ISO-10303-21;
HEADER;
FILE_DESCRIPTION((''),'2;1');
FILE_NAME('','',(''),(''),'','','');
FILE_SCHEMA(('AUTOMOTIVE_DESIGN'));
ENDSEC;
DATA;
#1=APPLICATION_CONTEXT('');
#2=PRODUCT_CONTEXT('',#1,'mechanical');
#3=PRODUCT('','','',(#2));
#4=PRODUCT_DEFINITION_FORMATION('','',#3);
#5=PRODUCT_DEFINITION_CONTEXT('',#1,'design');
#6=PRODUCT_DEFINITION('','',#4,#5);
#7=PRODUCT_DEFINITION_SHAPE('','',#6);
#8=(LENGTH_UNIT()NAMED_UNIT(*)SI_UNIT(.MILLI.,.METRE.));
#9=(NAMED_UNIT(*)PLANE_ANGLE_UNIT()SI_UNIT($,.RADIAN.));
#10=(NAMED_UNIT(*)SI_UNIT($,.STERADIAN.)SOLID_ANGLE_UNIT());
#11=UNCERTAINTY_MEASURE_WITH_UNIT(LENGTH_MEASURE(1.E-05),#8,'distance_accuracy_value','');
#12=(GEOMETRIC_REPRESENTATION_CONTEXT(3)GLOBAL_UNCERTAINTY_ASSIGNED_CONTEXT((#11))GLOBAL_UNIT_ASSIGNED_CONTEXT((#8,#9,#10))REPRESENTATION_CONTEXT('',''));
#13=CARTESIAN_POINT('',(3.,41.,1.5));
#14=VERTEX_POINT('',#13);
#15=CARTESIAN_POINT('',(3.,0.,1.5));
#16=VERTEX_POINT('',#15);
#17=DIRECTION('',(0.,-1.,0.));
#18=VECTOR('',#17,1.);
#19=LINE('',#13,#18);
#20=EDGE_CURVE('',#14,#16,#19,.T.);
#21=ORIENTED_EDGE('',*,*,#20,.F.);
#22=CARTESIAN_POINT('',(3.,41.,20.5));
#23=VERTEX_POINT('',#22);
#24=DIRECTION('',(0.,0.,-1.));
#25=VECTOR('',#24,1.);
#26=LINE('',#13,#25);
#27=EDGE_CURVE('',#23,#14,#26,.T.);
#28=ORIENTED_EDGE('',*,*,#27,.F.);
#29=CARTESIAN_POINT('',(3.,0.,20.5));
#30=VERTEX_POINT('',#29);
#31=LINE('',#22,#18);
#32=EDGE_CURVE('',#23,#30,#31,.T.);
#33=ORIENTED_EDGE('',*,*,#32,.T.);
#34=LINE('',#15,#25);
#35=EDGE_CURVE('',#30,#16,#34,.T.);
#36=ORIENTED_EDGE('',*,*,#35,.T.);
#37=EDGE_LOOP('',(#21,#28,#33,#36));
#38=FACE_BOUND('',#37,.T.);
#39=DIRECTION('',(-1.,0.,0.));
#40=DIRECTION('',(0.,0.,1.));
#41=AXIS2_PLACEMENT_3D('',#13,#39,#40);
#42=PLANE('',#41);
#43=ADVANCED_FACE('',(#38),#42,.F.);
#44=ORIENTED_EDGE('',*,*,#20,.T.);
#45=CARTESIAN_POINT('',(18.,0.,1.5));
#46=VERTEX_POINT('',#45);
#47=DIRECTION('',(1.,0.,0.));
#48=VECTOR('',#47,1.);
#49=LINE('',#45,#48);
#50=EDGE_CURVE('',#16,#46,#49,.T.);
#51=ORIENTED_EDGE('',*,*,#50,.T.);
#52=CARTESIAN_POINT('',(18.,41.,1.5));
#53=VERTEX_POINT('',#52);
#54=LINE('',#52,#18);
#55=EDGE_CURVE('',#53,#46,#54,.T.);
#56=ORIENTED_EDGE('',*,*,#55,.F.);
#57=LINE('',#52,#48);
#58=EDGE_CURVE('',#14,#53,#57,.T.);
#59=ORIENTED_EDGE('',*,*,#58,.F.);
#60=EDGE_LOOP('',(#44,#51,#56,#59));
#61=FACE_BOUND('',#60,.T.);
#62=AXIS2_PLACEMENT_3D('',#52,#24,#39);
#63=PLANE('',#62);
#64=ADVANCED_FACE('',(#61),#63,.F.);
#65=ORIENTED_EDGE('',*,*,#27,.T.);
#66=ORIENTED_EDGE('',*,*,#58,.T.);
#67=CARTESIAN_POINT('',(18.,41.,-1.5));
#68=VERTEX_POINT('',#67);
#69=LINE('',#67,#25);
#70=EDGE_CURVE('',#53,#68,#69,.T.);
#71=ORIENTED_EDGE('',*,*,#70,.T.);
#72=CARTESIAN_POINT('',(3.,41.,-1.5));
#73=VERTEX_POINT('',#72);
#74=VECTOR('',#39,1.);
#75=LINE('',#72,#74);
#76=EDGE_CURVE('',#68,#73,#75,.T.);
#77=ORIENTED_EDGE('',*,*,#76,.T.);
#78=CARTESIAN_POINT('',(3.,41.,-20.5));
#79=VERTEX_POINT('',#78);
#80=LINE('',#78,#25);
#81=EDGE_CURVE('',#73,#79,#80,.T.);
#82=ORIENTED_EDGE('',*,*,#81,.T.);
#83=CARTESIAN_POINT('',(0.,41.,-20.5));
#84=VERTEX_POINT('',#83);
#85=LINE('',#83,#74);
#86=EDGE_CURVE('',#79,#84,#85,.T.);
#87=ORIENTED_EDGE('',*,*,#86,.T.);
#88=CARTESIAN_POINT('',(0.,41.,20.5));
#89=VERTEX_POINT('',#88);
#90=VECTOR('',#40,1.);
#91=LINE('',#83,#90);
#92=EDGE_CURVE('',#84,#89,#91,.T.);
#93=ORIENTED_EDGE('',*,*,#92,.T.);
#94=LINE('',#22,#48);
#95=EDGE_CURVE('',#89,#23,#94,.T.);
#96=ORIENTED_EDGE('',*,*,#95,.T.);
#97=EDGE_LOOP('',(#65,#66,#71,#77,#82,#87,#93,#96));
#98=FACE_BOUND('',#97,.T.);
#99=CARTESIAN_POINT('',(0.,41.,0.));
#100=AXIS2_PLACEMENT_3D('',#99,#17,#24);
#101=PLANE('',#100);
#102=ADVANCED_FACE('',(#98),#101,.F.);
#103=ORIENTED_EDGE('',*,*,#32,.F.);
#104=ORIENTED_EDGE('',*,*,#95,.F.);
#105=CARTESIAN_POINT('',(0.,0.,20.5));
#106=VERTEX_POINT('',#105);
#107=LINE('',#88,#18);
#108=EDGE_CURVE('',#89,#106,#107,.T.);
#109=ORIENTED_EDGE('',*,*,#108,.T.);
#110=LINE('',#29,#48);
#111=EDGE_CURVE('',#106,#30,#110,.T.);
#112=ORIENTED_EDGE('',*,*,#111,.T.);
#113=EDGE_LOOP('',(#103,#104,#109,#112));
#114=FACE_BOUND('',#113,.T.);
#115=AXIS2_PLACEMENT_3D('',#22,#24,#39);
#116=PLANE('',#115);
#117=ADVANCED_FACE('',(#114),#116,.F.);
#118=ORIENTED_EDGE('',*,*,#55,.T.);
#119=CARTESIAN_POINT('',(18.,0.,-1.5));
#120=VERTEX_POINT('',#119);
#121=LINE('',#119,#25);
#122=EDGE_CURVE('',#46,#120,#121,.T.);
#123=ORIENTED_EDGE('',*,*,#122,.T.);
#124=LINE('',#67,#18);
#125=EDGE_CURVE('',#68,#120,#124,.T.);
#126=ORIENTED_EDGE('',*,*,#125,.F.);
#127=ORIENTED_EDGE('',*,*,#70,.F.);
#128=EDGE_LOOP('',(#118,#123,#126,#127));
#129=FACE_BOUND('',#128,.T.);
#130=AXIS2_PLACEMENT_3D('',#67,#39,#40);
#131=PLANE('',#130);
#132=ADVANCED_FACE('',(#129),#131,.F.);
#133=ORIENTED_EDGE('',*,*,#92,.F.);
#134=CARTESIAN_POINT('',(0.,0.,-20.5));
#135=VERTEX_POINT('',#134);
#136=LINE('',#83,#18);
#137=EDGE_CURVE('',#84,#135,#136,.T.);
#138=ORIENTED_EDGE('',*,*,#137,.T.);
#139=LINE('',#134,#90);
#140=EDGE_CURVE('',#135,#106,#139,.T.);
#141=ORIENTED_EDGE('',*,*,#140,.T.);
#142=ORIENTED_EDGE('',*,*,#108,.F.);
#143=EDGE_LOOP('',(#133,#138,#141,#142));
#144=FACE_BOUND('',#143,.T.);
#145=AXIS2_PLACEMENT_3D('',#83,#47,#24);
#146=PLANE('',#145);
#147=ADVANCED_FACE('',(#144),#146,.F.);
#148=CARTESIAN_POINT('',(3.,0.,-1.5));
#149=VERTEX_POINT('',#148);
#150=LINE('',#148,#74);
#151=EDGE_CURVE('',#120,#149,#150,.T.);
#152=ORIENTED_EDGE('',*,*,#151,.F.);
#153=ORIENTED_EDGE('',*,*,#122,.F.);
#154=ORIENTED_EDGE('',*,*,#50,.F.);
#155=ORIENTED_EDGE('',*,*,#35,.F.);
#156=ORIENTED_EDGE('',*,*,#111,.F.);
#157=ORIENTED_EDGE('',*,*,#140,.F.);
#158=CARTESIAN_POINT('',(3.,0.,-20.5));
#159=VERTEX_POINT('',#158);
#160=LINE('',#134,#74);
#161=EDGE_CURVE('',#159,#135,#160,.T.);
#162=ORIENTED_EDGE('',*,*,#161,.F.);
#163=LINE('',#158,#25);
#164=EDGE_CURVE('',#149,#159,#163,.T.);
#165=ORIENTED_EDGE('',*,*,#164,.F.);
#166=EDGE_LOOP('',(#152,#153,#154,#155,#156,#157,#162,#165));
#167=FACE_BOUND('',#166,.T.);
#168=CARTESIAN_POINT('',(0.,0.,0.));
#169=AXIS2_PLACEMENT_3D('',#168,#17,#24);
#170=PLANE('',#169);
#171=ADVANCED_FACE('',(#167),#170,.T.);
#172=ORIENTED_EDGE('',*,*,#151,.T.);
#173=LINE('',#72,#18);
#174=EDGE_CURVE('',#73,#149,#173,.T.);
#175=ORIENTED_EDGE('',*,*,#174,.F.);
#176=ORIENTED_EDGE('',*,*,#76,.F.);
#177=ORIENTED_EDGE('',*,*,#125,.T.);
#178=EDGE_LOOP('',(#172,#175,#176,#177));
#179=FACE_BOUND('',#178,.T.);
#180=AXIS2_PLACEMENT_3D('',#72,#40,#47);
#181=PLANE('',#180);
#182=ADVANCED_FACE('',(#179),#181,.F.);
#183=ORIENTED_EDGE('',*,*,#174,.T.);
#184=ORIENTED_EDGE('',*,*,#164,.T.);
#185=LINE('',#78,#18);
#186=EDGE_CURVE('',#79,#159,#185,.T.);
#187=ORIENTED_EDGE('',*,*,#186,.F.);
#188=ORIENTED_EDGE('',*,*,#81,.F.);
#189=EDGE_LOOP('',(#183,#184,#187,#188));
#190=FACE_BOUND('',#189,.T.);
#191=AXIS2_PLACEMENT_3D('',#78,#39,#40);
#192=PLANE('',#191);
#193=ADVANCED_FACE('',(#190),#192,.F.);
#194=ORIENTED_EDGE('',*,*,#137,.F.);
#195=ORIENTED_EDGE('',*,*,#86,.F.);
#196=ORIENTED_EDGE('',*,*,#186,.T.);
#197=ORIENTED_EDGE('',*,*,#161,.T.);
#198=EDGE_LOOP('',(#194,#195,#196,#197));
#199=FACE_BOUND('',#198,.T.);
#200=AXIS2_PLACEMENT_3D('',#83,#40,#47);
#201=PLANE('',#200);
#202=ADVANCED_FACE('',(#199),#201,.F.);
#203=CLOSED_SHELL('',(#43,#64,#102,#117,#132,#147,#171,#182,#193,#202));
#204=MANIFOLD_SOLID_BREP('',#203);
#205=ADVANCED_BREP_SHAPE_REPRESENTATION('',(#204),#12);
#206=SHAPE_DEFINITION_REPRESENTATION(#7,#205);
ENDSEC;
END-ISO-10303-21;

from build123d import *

# Parameters (mm, degrees)
BOSS_EXTRUDE1_DEPTH = 41


with BuildPart() as part:
    # Sketch1 → Boss-Extrude1 (new body)
    with BuildSketch(Plane(origin=(0, 0, 0), x_dir=(1, 0, 0), z_dir=(0, 1, 0))):
        Polygon((0, 20.5), (3, 20.5), (3, 1.5), (18, 1.5), (18, -1.5), (3, -1.5), (3, -20.5), (0, -20.5), align=None)
    extrude(amount=BOSS_EXTRUDE1_DEPTH)


solid = part.part
